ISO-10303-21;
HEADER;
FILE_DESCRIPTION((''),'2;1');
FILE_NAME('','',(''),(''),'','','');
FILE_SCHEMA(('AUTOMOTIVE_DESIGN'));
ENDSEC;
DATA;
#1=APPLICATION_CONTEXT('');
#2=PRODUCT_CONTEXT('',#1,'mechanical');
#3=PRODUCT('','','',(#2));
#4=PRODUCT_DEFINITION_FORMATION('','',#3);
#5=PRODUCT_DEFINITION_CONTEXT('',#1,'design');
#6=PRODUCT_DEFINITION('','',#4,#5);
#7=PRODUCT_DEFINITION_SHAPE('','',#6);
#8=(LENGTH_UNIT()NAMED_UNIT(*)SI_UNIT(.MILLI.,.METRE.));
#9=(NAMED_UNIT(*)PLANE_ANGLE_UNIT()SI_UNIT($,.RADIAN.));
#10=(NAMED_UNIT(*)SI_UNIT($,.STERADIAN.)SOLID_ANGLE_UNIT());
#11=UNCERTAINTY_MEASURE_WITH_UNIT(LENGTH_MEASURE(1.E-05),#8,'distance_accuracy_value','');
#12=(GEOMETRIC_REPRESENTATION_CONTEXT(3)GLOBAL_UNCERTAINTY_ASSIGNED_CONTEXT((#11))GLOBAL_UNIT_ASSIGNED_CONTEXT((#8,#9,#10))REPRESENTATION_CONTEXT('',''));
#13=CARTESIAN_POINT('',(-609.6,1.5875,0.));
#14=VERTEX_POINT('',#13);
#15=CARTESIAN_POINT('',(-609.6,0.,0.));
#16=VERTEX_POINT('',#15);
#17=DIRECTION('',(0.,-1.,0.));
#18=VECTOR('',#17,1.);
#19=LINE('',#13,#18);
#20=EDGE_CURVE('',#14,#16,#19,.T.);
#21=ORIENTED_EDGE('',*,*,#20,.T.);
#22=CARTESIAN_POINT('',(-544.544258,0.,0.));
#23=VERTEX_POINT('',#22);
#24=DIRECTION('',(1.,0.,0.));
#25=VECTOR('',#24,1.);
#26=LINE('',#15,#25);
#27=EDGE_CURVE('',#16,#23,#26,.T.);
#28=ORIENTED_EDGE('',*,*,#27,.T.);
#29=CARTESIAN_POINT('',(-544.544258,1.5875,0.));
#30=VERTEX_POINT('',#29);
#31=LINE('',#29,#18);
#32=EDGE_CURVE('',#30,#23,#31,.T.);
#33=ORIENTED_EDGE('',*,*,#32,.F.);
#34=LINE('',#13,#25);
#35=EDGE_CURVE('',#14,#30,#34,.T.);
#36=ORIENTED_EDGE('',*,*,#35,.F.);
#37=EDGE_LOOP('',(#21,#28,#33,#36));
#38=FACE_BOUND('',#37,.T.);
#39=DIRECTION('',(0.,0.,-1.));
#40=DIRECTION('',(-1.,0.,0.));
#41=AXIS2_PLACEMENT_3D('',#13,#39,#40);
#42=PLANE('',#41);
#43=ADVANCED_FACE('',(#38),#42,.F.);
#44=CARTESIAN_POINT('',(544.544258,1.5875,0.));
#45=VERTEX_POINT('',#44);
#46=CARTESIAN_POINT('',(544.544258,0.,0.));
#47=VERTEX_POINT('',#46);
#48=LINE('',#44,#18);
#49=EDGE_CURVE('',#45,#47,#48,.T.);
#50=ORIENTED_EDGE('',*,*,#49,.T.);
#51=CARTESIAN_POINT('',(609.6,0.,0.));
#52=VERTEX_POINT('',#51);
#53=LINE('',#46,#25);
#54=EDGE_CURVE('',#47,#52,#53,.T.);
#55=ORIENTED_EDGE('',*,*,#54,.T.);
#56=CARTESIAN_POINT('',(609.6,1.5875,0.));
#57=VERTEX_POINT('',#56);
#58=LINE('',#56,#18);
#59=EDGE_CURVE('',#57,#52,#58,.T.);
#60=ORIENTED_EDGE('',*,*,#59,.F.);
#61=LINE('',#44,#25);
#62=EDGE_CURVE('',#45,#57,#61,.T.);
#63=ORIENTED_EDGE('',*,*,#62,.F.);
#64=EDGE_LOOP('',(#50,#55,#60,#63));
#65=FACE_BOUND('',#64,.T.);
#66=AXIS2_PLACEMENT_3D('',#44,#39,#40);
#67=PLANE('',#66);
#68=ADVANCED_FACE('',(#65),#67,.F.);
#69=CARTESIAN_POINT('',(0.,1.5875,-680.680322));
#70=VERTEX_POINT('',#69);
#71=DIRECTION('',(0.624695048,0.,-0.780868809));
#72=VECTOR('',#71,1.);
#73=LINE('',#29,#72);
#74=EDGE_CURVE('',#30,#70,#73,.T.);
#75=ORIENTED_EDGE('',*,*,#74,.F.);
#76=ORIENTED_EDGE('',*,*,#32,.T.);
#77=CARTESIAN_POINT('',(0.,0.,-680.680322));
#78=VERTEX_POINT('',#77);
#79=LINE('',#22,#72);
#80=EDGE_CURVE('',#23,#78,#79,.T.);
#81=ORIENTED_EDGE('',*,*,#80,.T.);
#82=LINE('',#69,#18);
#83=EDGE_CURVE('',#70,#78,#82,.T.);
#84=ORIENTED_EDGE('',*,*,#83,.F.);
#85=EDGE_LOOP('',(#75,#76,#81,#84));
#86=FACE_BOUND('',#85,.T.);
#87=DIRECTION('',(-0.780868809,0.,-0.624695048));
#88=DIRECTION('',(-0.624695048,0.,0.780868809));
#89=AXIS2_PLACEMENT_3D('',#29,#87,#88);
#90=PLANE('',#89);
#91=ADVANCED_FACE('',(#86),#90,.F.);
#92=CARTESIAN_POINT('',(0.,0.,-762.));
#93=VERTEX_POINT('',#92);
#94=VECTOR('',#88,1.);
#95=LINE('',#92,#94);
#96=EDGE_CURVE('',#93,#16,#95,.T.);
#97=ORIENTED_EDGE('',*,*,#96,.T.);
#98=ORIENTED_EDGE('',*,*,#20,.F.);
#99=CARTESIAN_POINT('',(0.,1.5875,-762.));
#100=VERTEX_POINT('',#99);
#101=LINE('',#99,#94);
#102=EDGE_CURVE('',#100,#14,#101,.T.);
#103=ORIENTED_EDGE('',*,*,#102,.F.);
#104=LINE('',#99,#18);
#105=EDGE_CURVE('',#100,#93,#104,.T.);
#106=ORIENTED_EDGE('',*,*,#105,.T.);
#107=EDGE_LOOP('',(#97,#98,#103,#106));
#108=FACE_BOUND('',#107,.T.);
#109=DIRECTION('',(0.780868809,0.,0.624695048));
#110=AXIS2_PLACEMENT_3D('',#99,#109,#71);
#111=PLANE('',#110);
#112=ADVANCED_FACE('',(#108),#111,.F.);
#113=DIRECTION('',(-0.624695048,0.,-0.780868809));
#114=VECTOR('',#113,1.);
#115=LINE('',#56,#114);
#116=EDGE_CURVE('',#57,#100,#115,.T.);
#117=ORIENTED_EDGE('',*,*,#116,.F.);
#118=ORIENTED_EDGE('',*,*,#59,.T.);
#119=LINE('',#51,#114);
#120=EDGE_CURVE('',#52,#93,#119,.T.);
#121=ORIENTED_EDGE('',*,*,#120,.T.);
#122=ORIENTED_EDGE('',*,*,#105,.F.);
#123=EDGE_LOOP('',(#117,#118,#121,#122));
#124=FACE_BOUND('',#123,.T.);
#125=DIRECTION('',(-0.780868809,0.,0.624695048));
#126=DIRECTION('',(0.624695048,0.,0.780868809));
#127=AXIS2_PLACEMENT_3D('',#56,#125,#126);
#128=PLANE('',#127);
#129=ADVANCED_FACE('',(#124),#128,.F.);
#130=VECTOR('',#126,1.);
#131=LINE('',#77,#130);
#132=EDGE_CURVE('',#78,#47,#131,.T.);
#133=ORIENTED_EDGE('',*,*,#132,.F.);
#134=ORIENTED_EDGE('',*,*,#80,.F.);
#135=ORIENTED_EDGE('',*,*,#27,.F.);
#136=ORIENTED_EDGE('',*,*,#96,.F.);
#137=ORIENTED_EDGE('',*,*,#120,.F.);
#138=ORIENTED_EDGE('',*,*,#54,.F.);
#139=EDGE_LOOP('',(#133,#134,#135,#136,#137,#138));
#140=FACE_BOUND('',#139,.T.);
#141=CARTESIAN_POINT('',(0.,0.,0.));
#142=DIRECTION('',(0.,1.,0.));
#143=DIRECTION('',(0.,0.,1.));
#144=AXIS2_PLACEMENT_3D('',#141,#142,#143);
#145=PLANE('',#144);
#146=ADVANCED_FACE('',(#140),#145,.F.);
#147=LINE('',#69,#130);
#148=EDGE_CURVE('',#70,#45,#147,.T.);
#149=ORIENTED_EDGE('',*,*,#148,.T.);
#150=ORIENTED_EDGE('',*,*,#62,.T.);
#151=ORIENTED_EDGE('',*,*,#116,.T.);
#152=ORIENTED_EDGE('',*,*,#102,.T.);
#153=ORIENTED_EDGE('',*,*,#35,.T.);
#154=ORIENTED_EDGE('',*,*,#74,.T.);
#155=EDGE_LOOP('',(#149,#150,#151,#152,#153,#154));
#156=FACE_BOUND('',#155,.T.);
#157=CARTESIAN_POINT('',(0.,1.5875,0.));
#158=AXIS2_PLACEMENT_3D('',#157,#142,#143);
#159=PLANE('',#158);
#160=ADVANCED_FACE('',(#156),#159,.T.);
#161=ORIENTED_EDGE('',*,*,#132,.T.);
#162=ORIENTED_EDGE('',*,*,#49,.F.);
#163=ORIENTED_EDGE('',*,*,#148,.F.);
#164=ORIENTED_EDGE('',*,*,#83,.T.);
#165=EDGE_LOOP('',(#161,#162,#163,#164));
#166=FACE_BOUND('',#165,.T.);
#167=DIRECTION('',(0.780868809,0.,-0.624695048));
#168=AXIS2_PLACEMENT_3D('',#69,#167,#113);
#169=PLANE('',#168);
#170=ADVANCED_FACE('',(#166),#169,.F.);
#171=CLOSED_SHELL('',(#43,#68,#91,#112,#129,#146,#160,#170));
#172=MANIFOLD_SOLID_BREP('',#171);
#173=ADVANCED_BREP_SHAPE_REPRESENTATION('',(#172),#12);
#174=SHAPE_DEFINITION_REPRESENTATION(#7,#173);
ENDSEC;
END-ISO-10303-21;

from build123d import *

# Parameters (mm, degrees)
BOSS_EXTRUDE1_DEPTH = 1.5875


with BuildPart() as part:
    # Sketch1 → Boss-Extrude1 (new body)
    with BuildSketch(Plane(origin=(0, 0, 0), x_dir=(1, 0, 0), z_dir=(0, 1, 0))):
        Polygon((609.6, 0), (0, 762), (-609.6, 0), (-544.544257748, 0), (0, 680.680322185), (544.544257748, 0), align=None)
    extrude(amount=BOSS_EXTRUDE1_DEPTH)


solid = part.part
